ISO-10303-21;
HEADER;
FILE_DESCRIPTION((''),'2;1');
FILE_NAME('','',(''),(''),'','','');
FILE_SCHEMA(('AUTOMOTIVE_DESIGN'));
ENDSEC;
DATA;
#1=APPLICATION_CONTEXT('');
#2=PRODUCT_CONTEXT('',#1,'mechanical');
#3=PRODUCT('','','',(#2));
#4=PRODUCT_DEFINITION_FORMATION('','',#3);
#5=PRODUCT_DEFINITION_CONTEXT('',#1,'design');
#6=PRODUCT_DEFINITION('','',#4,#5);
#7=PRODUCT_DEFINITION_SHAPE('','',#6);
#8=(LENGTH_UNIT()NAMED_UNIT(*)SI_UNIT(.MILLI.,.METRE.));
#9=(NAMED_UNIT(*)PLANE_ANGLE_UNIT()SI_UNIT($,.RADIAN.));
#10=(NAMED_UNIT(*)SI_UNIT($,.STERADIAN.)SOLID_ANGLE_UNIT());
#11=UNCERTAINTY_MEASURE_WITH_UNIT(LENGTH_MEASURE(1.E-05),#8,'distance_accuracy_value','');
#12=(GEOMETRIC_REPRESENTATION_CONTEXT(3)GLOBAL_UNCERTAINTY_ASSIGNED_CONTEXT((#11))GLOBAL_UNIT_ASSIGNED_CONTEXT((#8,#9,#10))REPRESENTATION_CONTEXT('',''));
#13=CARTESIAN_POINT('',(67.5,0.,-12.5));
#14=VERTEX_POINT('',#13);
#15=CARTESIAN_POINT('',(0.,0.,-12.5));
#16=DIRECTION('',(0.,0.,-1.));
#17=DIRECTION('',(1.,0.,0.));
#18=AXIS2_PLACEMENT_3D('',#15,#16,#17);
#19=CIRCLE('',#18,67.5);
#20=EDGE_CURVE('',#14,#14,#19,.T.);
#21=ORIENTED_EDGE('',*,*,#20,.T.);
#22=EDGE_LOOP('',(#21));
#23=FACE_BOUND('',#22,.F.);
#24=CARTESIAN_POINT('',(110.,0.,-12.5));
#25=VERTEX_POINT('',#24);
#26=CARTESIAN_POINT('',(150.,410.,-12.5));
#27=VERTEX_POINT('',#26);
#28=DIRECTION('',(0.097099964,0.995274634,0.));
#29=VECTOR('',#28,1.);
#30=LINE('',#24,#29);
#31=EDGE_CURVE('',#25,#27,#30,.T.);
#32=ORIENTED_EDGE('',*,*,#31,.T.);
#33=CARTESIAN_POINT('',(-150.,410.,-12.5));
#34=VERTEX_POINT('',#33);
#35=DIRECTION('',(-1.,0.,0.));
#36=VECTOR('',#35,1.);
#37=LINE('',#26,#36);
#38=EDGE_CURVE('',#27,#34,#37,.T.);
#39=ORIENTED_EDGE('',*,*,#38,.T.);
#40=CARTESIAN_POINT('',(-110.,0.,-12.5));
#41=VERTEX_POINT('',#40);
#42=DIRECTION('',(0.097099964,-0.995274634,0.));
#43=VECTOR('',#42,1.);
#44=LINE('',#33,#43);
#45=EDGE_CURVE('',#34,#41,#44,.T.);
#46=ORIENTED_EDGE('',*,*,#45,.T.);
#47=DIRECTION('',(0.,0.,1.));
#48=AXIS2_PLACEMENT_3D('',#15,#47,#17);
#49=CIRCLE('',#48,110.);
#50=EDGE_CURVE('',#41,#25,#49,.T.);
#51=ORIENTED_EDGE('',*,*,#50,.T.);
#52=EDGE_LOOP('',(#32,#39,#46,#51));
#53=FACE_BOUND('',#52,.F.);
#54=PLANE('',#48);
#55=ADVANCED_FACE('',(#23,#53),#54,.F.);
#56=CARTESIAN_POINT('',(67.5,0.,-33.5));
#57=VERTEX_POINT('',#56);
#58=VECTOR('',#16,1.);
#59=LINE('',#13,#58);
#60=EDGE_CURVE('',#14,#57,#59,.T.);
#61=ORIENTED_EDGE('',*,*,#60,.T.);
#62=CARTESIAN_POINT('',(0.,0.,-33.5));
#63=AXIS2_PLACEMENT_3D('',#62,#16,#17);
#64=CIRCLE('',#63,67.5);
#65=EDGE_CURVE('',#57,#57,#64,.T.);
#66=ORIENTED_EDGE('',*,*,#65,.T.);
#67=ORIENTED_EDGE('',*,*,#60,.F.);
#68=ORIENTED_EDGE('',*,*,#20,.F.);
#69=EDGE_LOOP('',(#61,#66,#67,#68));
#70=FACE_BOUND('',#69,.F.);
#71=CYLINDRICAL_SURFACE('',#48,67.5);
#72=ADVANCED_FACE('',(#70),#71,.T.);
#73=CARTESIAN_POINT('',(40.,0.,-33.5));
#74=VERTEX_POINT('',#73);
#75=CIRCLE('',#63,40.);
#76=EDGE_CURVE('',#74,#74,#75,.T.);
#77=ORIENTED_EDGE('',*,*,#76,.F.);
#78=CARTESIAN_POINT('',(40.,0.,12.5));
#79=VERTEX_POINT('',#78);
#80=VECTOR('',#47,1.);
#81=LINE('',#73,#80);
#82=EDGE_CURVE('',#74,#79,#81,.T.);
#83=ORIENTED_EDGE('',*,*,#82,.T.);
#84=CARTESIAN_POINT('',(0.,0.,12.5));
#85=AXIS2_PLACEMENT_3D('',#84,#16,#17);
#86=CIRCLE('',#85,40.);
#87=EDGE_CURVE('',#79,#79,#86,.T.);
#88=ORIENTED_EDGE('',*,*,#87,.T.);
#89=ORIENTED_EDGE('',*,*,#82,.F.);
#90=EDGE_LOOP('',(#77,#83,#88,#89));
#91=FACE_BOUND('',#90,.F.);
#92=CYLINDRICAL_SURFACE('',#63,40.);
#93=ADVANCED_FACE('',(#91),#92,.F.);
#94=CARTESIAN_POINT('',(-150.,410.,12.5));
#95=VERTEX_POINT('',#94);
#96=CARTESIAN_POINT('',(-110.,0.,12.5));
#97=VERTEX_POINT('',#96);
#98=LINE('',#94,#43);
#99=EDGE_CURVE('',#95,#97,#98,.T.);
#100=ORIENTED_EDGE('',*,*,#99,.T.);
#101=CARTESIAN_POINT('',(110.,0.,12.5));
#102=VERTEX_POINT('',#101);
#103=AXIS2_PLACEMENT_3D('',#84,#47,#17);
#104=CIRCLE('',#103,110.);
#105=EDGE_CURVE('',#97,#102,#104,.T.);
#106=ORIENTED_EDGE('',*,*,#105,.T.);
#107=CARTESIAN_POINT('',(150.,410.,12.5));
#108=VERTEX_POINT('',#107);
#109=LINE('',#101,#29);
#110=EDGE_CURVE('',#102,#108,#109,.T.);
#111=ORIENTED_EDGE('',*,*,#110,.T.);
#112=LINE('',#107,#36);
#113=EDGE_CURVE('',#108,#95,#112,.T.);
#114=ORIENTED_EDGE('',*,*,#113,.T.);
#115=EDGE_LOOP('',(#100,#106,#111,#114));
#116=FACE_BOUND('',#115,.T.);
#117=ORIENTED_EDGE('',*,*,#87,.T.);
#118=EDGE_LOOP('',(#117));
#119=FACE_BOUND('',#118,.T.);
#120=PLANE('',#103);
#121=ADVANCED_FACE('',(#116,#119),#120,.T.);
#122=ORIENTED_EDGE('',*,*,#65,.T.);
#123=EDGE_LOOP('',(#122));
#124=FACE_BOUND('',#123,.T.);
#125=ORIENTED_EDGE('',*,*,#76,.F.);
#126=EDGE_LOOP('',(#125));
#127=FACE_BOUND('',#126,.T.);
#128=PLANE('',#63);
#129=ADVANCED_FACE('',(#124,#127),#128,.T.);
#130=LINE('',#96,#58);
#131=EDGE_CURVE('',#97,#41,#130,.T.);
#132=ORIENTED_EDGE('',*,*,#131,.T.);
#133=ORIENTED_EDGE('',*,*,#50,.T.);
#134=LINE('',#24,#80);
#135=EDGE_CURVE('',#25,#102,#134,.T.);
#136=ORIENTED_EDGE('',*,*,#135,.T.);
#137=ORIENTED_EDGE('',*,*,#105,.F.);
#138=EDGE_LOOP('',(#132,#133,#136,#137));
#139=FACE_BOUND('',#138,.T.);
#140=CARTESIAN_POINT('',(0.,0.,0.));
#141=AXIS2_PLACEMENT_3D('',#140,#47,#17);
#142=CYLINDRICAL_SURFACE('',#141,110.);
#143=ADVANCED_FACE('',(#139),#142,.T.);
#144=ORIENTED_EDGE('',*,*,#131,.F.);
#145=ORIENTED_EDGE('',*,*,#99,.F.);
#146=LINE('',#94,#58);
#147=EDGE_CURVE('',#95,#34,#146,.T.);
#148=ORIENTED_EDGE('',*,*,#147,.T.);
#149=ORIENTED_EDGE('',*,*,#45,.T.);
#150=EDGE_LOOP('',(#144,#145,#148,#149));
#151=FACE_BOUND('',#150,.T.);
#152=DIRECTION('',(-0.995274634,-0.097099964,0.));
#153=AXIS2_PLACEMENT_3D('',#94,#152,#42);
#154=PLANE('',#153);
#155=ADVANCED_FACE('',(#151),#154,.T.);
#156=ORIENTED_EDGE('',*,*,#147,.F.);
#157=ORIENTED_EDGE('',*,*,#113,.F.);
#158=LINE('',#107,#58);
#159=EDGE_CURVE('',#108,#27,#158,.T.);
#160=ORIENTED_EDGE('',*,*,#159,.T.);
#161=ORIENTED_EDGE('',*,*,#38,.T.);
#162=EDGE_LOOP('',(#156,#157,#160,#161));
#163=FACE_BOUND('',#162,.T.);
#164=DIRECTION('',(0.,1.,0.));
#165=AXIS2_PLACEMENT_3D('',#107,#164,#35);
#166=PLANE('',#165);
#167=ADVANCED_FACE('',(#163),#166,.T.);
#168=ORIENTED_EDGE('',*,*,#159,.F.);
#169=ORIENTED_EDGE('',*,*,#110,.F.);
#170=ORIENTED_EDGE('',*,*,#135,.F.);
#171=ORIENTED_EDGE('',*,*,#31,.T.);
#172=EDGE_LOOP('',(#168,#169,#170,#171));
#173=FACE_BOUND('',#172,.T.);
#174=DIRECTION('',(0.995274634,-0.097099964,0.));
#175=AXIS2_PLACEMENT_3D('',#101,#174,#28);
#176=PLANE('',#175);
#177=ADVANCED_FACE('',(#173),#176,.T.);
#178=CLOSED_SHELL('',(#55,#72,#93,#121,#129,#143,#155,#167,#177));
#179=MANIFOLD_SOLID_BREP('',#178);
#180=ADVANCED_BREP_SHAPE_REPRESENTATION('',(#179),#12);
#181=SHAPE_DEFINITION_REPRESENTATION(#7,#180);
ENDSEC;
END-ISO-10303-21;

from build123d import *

# Parameters (mm, degrees)
F0_R     = 110
F1_DEPTH = 12.5
F3_DEPTH = 25
F4_R     = 67.5
F5_DEPTH = 21
F6_R     = 40
F7_DEPTH = 60


with BuildPart() as f1:
    # F0 (on Top) → F1 (new body, symmetric)
    with BuildSketch(Plane.XY):
        Circle(F0_R)
    extrude(amount=F1_DEPTH, both=True)

    # F2 (on face) → F3 (join)
    with BuildSketch(Plane.XY.offset(12.5)):
        Polygon((-110, 0), (110, 0), (150, 410), (-150, 410), align=None)
    extrude(amount=-F3_DEPTH)

    # F4 (on face) → F5 (join)
    with BuildSketch(Plane(origin=(0, 0, -12.5), x_dir=(1, 0, 0), z_dir=(0, 0, -1))):
        Circle(F4_R)
    extrude(amount=F5_DEPTH)

    # F6 (on face) → F7 (cut)
    with BuildSketch(Plane(origin=(0, 0, -33.5), x_dir=(1, 0, 0), z_dir=(0, 0, -1))):
        Circle(F6_R)
    extrude(amount=-F7_DEPTH, mode=Mode.SUBTRACT)


solid = f1.part
